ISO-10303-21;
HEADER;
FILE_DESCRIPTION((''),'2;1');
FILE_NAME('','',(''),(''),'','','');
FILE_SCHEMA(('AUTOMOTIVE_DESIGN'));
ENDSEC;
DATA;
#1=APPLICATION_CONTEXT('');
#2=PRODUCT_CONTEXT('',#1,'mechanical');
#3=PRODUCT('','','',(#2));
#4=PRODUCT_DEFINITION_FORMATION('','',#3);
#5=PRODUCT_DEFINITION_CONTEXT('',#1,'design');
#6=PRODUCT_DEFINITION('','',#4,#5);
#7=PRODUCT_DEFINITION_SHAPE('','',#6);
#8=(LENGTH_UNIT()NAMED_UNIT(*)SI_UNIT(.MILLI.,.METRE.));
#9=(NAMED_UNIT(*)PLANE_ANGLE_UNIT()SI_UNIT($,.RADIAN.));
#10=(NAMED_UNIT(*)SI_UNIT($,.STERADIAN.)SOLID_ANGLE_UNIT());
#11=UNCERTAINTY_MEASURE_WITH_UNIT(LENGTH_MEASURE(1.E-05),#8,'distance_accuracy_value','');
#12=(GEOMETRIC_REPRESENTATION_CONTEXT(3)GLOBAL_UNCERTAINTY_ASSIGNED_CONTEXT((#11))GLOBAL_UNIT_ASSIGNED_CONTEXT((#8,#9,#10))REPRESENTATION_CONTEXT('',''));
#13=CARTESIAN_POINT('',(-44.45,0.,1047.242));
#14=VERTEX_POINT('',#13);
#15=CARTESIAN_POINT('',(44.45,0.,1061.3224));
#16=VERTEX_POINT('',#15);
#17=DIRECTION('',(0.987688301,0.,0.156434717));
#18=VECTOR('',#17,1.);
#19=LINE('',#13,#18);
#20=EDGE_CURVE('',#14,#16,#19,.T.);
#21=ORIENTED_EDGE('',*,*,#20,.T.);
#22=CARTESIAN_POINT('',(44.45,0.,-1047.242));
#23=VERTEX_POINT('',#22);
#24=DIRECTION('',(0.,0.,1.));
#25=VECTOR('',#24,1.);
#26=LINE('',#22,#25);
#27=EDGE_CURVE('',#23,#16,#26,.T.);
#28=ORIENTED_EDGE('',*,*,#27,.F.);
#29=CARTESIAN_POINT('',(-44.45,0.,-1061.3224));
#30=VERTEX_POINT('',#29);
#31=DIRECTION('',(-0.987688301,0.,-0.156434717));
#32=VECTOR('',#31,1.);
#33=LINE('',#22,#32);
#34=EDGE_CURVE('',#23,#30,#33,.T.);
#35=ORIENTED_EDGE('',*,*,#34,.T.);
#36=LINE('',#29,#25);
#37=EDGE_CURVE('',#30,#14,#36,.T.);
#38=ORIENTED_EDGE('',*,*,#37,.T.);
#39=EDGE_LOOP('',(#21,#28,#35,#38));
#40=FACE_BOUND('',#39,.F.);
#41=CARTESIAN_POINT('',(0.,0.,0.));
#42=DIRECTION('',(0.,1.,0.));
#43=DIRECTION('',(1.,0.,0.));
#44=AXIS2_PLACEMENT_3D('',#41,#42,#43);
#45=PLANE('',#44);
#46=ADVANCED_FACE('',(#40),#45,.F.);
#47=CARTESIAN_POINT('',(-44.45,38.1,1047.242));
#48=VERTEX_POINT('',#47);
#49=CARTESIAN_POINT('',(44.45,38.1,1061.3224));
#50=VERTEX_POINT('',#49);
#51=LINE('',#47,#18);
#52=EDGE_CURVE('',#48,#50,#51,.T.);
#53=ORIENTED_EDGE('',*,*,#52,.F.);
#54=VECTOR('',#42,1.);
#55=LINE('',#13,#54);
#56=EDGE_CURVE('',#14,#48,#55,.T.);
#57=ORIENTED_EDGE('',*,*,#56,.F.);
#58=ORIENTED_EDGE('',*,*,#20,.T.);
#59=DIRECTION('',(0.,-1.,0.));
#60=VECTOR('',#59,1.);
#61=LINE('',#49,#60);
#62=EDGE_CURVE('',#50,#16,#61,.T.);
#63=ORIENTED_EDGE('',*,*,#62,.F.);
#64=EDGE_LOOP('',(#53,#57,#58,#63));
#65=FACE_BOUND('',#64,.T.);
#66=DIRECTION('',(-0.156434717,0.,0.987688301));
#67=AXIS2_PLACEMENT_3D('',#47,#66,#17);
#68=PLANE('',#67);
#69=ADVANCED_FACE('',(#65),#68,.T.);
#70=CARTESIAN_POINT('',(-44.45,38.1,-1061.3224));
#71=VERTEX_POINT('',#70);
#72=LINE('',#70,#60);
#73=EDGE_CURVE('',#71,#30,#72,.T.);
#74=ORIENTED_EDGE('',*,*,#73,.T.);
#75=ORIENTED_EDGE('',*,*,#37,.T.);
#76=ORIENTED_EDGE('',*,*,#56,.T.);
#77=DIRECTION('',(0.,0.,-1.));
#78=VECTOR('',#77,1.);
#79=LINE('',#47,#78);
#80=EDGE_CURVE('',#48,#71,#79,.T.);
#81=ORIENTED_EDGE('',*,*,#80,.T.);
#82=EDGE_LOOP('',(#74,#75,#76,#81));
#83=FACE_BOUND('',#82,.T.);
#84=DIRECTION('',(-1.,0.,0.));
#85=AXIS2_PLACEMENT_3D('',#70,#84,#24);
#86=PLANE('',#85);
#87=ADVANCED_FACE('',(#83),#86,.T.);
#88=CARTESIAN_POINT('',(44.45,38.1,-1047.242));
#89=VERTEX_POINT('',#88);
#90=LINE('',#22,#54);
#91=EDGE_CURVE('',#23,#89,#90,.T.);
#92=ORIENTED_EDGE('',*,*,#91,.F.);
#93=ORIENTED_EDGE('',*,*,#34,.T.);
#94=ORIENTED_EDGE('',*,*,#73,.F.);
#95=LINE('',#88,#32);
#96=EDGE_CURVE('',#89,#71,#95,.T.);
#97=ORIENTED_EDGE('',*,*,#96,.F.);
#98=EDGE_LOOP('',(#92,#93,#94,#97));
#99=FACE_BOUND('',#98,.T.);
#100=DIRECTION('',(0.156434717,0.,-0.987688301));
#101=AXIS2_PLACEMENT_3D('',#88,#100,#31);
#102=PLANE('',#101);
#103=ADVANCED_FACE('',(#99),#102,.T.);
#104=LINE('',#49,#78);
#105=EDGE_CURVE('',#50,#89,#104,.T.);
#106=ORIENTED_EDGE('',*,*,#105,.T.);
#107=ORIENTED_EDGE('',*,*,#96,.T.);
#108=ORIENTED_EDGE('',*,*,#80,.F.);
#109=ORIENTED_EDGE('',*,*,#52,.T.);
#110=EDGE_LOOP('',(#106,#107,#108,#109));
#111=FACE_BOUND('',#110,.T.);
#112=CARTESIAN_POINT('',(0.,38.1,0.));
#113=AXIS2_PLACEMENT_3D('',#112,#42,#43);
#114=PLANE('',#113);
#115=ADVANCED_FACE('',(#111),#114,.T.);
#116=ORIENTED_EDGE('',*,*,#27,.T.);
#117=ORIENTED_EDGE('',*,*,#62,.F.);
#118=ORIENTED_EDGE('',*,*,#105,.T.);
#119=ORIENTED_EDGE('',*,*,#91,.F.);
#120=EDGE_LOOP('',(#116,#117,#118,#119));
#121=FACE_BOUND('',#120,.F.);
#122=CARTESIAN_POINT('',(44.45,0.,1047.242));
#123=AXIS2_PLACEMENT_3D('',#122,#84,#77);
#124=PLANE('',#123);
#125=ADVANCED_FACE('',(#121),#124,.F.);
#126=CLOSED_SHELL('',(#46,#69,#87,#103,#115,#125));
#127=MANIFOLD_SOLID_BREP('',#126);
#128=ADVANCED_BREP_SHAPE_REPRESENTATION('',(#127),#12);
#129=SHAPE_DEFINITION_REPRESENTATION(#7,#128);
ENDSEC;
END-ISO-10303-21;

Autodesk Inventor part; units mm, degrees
ref_plane "YZ Plane" through (0, 0, 0) normal (1, 0, 0) x (0, 1, 0)
ref_plane "XZ Plane" through (0, 0, 0) normal (0, 1, 0) x (-1, 0, 0)
ref_plane "XY Plane" through (0, 0, 0) normal (0, 0, 1) x (1, 0, 0)
sketch "Sketch1" plane through (0, 0, 0) normal (0, 1, 0) x (-1, 0, 0)
  line L0 (-44.45, 1047.242) -> (-44.45, -1047.242)
  line L1 (-44.45, -1047.242) -> (44.45, -1047.242)
  line L2 (44.45, -1047.242) -> (44.45, 1047.242)
  line L3 (44.45, 1047.242) -> (-44.45, 1047.242)
  line L4 (-44.45, 1047.242) -> (44.45, -1047.242) construction
  line L5 (-44.45, -1047.242) -> (44.45, 1047.242) construction
  point P0 (0, 0)
  dimension "d0" = 2094.484
  dimension "d1" = 88.9
extrude "Extrusion1" add sketch "Sketch1" along normal blind 38.1
sketch "Sketch4" plane through (0, 38.1, 0) normal (0, 1, 0) x (1, 0, 0)
  line L0 (-44.45, 1047.242) -> (-44.45, -1047.242) projected
  line L1 (-44.45, -1047.242) -> (44.45, -1061.3224)
  line L2 (44.45, -1047.242) -> (44.45, 1047.242) projected
  line L3 (44.45, -1061.3224) -> (44.45, -1047.242)
  line L4 (-44.45, -1047.242) -> (44.45, -1047.242) projected
  point P0 (0, 0)
  dimension "d8" = 9
extrude "Extrusion3" add sketch "Sketch4" against normal blind 38.1
sketch "Sketch5" plane through (0, 38.1, 0) normal (0, 1, 0) x (1, 0, 0)
  line L0 (44.45, -1061.3224) -> (44.45, 1047.242) projected
  line L1 (44.45, 1047.242) -> (-44.45, 1061.3224)
  line L2 (44.45, 1047.242) -> (-44.45, 1047.242) projected
  line L3 (-44.45, 1061.3224) -> (-44.45, 1047.242)
  line L4 (-44.45, 1047.242) -> (44.45, 1047.242)
  line L5 (-44.45, 1047.242) -> (-44.45, -1047.242) projected
  point P0 (0, 0)
  dimension "d11" = 9
extrude "Extrusion4" add sketch "Sketch5" against normal blind 38.1
properties part number "Back 2x4" material "Wood (Walnut)"
